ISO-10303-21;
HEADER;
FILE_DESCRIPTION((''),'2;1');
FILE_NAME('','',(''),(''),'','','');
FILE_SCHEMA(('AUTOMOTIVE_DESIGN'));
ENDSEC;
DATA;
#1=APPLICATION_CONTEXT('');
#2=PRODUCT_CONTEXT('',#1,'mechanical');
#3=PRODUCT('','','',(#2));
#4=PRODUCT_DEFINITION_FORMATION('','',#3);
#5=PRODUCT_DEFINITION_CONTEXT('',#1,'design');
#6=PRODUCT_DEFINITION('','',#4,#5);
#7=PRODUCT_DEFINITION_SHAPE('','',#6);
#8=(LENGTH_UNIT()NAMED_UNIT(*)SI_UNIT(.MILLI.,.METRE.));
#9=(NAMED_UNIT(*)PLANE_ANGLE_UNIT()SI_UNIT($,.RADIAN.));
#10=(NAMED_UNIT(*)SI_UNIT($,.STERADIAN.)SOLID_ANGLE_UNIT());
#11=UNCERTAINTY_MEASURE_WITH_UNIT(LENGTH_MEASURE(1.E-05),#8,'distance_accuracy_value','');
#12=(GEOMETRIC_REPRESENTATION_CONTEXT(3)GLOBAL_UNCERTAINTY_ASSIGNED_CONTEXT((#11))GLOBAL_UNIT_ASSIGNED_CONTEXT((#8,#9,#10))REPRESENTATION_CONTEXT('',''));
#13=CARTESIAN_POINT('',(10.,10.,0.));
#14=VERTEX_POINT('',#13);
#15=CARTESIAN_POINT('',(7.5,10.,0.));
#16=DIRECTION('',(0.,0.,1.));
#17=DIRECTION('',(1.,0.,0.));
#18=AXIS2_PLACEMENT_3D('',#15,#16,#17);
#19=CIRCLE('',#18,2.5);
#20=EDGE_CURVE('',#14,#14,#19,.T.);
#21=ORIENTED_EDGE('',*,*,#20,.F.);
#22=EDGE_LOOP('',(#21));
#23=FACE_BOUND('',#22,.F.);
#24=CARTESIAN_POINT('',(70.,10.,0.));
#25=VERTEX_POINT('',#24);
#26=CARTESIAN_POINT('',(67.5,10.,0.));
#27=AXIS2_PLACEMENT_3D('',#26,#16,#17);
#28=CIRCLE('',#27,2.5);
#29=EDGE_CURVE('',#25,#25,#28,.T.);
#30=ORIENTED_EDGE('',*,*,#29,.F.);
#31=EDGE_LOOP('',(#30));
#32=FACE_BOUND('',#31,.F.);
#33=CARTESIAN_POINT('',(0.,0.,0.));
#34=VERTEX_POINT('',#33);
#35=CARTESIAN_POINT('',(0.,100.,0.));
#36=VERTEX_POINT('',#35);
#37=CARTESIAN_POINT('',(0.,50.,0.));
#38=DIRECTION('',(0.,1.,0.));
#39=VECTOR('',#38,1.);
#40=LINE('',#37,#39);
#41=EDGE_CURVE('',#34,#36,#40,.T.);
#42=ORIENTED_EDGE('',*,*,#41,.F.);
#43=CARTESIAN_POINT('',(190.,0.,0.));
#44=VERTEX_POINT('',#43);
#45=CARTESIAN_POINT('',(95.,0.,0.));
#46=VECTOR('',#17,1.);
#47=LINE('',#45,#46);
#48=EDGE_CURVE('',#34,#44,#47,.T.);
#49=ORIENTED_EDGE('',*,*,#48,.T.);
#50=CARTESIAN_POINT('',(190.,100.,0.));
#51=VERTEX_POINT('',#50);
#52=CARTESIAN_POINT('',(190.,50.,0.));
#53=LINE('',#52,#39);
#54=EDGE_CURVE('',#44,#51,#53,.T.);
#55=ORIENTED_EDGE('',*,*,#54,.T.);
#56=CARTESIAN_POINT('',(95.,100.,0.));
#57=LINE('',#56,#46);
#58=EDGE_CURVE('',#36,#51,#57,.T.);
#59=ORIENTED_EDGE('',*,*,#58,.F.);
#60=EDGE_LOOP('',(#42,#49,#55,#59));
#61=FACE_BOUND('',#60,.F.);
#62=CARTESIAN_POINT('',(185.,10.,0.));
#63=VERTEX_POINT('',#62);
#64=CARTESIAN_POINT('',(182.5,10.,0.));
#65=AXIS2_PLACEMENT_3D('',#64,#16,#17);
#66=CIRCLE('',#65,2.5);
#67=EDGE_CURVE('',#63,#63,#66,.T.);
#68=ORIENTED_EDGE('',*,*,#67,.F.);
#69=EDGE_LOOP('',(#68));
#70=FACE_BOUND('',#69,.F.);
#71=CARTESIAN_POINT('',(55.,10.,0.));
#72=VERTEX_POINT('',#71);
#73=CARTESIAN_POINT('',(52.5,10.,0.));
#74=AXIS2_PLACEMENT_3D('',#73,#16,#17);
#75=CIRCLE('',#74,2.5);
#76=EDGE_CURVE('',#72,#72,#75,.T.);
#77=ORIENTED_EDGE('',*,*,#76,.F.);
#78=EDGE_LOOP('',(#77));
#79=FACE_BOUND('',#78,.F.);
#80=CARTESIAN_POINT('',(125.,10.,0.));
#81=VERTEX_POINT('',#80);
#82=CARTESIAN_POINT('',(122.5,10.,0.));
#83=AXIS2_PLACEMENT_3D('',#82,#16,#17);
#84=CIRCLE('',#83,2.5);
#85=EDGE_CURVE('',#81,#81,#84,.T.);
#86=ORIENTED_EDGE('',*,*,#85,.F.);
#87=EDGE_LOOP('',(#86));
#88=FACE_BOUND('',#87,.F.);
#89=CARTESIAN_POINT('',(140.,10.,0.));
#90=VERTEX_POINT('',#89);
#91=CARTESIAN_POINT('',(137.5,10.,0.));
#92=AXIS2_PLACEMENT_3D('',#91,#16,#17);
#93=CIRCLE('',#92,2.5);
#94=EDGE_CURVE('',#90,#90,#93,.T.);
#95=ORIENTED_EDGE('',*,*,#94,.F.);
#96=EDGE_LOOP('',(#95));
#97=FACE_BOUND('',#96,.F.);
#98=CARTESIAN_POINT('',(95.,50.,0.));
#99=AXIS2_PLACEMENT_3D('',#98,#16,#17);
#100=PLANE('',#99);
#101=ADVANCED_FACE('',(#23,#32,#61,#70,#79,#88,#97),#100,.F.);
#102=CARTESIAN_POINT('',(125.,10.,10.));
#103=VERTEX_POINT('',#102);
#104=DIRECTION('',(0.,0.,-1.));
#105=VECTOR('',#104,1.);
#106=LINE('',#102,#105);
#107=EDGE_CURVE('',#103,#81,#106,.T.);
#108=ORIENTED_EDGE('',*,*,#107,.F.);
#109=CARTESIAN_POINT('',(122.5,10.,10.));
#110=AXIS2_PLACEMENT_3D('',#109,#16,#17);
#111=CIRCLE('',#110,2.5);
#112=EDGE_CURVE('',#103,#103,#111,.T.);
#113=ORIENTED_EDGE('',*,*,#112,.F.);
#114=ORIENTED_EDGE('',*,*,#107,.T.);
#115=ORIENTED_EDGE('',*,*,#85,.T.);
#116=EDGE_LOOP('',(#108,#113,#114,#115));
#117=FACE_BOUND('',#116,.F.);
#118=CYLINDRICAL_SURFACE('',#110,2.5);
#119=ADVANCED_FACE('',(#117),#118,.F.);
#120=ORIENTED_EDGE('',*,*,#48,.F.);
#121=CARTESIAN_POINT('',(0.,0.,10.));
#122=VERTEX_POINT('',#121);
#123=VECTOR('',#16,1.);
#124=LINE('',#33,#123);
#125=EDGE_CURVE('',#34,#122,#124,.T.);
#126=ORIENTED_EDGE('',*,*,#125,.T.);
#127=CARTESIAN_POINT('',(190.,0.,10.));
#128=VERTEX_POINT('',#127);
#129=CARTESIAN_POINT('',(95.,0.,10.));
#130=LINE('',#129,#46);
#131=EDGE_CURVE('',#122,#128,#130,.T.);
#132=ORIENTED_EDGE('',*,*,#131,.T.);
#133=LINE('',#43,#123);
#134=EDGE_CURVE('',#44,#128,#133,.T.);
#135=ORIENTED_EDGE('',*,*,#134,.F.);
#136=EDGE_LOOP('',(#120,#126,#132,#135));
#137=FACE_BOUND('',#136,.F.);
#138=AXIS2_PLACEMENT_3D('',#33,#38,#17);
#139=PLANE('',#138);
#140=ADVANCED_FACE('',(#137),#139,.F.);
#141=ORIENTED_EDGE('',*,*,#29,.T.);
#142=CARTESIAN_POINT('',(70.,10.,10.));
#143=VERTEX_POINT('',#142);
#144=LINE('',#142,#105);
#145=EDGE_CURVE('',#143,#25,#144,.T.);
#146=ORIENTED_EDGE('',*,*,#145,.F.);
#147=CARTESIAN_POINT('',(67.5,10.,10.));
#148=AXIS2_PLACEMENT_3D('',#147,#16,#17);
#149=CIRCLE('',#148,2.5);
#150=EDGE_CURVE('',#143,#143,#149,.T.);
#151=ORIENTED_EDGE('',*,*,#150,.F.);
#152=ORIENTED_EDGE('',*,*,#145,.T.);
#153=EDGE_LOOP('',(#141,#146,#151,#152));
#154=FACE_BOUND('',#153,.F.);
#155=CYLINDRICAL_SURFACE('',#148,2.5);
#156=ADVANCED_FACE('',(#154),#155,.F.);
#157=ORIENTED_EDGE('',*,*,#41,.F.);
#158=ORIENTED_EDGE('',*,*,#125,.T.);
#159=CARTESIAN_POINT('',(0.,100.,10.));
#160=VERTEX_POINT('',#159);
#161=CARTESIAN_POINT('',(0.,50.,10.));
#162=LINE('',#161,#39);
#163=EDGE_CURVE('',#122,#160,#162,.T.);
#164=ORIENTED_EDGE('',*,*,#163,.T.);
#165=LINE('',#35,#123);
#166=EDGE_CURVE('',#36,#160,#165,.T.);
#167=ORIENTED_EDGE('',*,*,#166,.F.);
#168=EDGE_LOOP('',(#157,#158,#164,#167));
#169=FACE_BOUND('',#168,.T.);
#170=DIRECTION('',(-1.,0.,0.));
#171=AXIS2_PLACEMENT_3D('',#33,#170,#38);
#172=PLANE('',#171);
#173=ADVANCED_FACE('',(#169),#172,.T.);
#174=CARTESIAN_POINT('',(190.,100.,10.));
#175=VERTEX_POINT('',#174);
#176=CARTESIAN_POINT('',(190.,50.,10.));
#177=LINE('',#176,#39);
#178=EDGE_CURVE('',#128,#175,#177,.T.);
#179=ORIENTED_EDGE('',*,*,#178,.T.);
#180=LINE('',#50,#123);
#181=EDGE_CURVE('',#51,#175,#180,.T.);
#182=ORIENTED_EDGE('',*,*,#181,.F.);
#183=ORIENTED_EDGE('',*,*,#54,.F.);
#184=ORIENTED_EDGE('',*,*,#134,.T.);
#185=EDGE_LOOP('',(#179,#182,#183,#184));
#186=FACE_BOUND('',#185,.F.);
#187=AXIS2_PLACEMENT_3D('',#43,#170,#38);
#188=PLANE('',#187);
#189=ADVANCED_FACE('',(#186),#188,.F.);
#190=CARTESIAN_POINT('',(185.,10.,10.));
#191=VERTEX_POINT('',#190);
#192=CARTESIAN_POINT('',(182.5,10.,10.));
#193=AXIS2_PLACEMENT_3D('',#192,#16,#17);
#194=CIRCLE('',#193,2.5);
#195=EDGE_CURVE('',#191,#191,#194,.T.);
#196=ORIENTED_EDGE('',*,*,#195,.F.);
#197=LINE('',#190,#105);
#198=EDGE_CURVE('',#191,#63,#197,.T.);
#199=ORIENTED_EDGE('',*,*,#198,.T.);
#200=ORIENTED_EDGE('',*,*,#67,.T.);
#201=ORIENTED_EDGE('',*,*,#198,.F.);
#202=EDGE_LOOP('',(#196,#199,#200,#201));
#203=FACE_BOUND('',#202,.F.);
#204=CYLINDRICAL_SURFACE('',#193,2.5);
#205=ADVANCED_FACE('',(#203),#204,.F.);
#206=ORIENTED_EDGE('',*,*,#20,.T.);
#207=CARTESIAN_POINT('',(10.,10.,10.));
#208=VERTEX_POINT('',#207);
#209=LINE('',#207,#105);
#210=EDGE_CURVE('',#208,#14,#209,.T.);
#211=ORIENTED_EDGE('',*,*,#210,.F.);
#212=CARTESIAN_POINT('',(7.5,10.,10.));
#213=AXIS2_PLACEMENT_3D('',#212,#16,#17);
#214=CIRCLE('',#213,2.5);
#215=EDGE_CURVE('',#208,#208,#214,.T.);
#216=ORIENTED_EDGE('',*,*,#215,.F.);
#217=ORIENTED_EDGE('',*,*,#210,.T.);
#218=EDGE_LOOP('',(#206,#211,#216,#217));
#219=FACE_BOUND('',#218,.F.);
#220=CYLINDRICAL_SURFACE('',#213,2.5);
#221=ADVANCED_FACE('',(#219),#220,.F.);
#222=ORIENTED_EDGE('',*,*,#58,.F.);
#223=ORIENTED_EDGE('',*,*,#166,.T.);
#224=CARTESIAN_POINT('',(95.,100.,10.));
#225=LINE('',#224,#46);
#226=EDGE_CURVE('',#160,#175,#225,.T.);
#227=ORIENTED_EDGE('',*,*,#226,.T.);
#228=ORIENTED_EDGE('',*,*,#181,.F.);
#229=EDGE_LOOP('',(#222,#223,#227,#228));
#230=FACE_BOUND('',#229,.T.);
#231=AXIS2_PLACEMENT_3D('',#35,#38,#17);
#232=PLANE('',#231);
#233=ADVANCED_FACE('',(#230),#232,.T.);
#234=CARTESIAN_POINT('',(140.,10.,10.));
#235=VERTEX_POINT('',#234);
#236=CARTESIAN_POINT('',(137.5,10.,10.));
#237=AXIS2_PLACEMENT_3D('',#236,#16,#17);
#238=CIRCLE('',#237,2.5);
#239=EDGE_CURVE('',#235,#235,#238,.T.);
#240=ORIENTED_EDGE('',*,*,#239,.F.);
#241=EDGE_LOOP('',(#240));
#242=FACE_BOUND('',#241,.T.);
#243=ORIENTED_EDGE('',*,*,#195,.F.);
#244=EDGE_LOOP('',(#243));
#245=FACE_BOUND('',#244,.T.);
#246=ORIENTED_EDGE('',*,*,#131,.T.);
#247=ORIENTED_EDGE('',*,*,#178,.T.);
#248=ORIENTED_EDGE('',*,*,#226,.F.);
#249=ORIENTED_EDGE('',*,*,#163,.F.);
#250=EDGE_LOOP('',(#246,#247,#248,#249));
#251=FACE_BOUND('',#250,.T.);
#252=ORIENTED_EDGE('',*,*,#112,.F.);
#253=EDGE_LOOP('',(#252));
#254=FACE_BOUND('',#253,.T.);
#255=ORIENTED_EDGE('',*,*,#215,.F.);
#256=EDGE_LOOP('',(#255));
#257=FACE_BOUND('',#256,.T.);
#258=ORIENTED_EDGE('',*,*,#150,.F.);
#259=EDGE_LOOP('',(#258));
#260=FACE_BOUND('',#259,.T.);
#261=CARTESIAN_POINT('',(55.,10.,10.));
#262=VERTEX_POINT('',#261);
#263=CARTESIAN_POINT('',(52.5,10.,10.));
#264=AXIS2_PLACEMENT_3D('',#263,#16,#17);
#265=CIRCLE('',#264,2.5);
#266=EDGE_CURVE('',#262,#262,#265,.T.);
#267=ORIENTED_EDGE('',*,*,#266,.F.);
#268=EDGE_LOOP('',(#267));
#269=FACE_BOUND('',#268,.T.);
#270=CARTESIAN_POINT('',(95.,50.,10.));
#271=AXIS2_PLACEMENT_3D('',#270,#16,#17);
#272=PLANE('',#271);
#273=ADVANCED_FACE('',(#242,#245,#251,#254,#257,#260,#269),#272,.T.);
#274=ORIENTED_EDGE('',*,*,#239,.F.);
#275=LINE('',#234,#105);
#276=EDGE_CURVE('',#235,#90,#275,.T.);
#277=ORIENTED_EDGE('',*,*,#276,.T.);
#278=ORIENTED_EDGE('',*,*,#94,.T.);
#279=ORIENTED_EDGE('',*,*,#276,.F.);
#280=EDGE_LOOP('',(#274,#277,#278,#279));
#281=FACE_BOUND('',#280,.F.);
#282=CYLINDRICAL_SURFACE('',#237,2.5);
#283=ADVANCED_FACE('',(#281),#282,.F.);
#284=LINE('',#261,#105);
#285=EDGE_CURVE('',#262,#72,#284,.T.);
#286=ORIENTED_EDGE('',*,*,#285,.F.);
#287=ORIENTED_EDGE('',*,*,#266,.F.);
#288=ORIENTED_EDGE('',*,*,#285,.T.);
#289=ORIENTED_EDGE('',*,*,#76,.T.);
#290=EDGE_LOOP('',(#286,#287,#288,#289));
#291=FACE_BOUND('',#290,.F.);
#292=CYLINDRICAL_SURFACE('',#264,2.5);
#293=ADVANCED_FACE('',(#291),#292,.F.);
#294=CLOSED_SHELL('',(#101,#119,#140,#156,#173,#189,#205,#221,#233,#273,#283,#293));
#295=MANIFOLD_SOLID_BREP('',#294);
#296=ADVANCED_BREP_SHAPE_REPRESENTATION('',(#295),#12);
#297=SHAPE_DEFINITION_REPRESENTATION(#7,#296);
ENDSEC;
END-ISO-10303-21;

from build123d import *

# Parameters (mm, degrees)
SKETCH_W               = 190
SKETCH_H               = 100
PAD_DEPTH              = 10
SKETCH001_R            = 2.5
HOLE_DEPTH             = 10.001
SKETCH002_R            = 2.5
HOLE001_DEPTH          = 10.001
LINEARPATTERN_COUNT    = 2
LINEARPATTERN_PITCH    = 15
LINEARPATTERN001_COUNT = 2
LINEARPATTERN001_PITCH = 70
LINEARPATTERN002_COUNT = 2
LINEARPATTERN002_PITCH = 85
LINEARPATTERN003_COUNT = 2
LINEARPATTERN003_PITCH = 130


with BuildPart() as part:
    # Sketch → Pad (new body)
    with BuildSketch(Plane.XY):
        with Locations((95, 50)):
            Rectangle(SKETCH_W, SKETCH_H)
    extrude(amount=PAD_DEPTH)

    # Sketch001 (on Face6 of Pad) → Hole (cut, through all)
    with BuildSketch(Plane.XY.offset(10)):
        with Locations((7.5, 10)):
            Circle(SKETCH001_R)
    extrude(amount=-HOLE_DEPTH, mode=Mode.SUBTRACT)

    # Sketch002 (on Face5 of Hole) → Hole001 (cut, through all)
    with BuildSketch(Plane.XY.offset(10)):
        with Locations((52.5, 10)):
            Circle(SKETCH002_R)
    hole001 = extrude(amount=-HOLE001_DEPTH, mode=Mode.SUBTRACT)

    # LinearPattern: Hole001 ×2
    with Locations(*[(i * LINEARPATTERN_PITCH, 0, 0) for i in range(1, LINEARPATTERN_COUNT)]):
        add(hole001, mode=Mode.SUBTRACT)

    # LinearPattern001: Hole001 ×2
    with Locations(*[(i * LINEARPATTERN001_PITCH, 0, 0) for i in range(1, LINEARPATTERN001_COUNT)]):
        add(hole001, mode=Mode.SUBTRACT)

    # LinearPattern002: Hole001 ×2
    with Locations(*[(i * LINEARPATTERN002_PITCH, 0, 0) for i in range(1, LINEARPATTERN002_COUNT)]):
        add(hole001, mode=Mode.SUBTRACT)

    # LinearPattern003: Hole001 ×2
    with Locations(*[(i * LINEARPATTERN003_PITCH, 0, 0) for i in range(1, LINEARPATTERN003_COUNT)]):
        add(hole001, mode=Mode.SUBTRACT)


solid = part.part
